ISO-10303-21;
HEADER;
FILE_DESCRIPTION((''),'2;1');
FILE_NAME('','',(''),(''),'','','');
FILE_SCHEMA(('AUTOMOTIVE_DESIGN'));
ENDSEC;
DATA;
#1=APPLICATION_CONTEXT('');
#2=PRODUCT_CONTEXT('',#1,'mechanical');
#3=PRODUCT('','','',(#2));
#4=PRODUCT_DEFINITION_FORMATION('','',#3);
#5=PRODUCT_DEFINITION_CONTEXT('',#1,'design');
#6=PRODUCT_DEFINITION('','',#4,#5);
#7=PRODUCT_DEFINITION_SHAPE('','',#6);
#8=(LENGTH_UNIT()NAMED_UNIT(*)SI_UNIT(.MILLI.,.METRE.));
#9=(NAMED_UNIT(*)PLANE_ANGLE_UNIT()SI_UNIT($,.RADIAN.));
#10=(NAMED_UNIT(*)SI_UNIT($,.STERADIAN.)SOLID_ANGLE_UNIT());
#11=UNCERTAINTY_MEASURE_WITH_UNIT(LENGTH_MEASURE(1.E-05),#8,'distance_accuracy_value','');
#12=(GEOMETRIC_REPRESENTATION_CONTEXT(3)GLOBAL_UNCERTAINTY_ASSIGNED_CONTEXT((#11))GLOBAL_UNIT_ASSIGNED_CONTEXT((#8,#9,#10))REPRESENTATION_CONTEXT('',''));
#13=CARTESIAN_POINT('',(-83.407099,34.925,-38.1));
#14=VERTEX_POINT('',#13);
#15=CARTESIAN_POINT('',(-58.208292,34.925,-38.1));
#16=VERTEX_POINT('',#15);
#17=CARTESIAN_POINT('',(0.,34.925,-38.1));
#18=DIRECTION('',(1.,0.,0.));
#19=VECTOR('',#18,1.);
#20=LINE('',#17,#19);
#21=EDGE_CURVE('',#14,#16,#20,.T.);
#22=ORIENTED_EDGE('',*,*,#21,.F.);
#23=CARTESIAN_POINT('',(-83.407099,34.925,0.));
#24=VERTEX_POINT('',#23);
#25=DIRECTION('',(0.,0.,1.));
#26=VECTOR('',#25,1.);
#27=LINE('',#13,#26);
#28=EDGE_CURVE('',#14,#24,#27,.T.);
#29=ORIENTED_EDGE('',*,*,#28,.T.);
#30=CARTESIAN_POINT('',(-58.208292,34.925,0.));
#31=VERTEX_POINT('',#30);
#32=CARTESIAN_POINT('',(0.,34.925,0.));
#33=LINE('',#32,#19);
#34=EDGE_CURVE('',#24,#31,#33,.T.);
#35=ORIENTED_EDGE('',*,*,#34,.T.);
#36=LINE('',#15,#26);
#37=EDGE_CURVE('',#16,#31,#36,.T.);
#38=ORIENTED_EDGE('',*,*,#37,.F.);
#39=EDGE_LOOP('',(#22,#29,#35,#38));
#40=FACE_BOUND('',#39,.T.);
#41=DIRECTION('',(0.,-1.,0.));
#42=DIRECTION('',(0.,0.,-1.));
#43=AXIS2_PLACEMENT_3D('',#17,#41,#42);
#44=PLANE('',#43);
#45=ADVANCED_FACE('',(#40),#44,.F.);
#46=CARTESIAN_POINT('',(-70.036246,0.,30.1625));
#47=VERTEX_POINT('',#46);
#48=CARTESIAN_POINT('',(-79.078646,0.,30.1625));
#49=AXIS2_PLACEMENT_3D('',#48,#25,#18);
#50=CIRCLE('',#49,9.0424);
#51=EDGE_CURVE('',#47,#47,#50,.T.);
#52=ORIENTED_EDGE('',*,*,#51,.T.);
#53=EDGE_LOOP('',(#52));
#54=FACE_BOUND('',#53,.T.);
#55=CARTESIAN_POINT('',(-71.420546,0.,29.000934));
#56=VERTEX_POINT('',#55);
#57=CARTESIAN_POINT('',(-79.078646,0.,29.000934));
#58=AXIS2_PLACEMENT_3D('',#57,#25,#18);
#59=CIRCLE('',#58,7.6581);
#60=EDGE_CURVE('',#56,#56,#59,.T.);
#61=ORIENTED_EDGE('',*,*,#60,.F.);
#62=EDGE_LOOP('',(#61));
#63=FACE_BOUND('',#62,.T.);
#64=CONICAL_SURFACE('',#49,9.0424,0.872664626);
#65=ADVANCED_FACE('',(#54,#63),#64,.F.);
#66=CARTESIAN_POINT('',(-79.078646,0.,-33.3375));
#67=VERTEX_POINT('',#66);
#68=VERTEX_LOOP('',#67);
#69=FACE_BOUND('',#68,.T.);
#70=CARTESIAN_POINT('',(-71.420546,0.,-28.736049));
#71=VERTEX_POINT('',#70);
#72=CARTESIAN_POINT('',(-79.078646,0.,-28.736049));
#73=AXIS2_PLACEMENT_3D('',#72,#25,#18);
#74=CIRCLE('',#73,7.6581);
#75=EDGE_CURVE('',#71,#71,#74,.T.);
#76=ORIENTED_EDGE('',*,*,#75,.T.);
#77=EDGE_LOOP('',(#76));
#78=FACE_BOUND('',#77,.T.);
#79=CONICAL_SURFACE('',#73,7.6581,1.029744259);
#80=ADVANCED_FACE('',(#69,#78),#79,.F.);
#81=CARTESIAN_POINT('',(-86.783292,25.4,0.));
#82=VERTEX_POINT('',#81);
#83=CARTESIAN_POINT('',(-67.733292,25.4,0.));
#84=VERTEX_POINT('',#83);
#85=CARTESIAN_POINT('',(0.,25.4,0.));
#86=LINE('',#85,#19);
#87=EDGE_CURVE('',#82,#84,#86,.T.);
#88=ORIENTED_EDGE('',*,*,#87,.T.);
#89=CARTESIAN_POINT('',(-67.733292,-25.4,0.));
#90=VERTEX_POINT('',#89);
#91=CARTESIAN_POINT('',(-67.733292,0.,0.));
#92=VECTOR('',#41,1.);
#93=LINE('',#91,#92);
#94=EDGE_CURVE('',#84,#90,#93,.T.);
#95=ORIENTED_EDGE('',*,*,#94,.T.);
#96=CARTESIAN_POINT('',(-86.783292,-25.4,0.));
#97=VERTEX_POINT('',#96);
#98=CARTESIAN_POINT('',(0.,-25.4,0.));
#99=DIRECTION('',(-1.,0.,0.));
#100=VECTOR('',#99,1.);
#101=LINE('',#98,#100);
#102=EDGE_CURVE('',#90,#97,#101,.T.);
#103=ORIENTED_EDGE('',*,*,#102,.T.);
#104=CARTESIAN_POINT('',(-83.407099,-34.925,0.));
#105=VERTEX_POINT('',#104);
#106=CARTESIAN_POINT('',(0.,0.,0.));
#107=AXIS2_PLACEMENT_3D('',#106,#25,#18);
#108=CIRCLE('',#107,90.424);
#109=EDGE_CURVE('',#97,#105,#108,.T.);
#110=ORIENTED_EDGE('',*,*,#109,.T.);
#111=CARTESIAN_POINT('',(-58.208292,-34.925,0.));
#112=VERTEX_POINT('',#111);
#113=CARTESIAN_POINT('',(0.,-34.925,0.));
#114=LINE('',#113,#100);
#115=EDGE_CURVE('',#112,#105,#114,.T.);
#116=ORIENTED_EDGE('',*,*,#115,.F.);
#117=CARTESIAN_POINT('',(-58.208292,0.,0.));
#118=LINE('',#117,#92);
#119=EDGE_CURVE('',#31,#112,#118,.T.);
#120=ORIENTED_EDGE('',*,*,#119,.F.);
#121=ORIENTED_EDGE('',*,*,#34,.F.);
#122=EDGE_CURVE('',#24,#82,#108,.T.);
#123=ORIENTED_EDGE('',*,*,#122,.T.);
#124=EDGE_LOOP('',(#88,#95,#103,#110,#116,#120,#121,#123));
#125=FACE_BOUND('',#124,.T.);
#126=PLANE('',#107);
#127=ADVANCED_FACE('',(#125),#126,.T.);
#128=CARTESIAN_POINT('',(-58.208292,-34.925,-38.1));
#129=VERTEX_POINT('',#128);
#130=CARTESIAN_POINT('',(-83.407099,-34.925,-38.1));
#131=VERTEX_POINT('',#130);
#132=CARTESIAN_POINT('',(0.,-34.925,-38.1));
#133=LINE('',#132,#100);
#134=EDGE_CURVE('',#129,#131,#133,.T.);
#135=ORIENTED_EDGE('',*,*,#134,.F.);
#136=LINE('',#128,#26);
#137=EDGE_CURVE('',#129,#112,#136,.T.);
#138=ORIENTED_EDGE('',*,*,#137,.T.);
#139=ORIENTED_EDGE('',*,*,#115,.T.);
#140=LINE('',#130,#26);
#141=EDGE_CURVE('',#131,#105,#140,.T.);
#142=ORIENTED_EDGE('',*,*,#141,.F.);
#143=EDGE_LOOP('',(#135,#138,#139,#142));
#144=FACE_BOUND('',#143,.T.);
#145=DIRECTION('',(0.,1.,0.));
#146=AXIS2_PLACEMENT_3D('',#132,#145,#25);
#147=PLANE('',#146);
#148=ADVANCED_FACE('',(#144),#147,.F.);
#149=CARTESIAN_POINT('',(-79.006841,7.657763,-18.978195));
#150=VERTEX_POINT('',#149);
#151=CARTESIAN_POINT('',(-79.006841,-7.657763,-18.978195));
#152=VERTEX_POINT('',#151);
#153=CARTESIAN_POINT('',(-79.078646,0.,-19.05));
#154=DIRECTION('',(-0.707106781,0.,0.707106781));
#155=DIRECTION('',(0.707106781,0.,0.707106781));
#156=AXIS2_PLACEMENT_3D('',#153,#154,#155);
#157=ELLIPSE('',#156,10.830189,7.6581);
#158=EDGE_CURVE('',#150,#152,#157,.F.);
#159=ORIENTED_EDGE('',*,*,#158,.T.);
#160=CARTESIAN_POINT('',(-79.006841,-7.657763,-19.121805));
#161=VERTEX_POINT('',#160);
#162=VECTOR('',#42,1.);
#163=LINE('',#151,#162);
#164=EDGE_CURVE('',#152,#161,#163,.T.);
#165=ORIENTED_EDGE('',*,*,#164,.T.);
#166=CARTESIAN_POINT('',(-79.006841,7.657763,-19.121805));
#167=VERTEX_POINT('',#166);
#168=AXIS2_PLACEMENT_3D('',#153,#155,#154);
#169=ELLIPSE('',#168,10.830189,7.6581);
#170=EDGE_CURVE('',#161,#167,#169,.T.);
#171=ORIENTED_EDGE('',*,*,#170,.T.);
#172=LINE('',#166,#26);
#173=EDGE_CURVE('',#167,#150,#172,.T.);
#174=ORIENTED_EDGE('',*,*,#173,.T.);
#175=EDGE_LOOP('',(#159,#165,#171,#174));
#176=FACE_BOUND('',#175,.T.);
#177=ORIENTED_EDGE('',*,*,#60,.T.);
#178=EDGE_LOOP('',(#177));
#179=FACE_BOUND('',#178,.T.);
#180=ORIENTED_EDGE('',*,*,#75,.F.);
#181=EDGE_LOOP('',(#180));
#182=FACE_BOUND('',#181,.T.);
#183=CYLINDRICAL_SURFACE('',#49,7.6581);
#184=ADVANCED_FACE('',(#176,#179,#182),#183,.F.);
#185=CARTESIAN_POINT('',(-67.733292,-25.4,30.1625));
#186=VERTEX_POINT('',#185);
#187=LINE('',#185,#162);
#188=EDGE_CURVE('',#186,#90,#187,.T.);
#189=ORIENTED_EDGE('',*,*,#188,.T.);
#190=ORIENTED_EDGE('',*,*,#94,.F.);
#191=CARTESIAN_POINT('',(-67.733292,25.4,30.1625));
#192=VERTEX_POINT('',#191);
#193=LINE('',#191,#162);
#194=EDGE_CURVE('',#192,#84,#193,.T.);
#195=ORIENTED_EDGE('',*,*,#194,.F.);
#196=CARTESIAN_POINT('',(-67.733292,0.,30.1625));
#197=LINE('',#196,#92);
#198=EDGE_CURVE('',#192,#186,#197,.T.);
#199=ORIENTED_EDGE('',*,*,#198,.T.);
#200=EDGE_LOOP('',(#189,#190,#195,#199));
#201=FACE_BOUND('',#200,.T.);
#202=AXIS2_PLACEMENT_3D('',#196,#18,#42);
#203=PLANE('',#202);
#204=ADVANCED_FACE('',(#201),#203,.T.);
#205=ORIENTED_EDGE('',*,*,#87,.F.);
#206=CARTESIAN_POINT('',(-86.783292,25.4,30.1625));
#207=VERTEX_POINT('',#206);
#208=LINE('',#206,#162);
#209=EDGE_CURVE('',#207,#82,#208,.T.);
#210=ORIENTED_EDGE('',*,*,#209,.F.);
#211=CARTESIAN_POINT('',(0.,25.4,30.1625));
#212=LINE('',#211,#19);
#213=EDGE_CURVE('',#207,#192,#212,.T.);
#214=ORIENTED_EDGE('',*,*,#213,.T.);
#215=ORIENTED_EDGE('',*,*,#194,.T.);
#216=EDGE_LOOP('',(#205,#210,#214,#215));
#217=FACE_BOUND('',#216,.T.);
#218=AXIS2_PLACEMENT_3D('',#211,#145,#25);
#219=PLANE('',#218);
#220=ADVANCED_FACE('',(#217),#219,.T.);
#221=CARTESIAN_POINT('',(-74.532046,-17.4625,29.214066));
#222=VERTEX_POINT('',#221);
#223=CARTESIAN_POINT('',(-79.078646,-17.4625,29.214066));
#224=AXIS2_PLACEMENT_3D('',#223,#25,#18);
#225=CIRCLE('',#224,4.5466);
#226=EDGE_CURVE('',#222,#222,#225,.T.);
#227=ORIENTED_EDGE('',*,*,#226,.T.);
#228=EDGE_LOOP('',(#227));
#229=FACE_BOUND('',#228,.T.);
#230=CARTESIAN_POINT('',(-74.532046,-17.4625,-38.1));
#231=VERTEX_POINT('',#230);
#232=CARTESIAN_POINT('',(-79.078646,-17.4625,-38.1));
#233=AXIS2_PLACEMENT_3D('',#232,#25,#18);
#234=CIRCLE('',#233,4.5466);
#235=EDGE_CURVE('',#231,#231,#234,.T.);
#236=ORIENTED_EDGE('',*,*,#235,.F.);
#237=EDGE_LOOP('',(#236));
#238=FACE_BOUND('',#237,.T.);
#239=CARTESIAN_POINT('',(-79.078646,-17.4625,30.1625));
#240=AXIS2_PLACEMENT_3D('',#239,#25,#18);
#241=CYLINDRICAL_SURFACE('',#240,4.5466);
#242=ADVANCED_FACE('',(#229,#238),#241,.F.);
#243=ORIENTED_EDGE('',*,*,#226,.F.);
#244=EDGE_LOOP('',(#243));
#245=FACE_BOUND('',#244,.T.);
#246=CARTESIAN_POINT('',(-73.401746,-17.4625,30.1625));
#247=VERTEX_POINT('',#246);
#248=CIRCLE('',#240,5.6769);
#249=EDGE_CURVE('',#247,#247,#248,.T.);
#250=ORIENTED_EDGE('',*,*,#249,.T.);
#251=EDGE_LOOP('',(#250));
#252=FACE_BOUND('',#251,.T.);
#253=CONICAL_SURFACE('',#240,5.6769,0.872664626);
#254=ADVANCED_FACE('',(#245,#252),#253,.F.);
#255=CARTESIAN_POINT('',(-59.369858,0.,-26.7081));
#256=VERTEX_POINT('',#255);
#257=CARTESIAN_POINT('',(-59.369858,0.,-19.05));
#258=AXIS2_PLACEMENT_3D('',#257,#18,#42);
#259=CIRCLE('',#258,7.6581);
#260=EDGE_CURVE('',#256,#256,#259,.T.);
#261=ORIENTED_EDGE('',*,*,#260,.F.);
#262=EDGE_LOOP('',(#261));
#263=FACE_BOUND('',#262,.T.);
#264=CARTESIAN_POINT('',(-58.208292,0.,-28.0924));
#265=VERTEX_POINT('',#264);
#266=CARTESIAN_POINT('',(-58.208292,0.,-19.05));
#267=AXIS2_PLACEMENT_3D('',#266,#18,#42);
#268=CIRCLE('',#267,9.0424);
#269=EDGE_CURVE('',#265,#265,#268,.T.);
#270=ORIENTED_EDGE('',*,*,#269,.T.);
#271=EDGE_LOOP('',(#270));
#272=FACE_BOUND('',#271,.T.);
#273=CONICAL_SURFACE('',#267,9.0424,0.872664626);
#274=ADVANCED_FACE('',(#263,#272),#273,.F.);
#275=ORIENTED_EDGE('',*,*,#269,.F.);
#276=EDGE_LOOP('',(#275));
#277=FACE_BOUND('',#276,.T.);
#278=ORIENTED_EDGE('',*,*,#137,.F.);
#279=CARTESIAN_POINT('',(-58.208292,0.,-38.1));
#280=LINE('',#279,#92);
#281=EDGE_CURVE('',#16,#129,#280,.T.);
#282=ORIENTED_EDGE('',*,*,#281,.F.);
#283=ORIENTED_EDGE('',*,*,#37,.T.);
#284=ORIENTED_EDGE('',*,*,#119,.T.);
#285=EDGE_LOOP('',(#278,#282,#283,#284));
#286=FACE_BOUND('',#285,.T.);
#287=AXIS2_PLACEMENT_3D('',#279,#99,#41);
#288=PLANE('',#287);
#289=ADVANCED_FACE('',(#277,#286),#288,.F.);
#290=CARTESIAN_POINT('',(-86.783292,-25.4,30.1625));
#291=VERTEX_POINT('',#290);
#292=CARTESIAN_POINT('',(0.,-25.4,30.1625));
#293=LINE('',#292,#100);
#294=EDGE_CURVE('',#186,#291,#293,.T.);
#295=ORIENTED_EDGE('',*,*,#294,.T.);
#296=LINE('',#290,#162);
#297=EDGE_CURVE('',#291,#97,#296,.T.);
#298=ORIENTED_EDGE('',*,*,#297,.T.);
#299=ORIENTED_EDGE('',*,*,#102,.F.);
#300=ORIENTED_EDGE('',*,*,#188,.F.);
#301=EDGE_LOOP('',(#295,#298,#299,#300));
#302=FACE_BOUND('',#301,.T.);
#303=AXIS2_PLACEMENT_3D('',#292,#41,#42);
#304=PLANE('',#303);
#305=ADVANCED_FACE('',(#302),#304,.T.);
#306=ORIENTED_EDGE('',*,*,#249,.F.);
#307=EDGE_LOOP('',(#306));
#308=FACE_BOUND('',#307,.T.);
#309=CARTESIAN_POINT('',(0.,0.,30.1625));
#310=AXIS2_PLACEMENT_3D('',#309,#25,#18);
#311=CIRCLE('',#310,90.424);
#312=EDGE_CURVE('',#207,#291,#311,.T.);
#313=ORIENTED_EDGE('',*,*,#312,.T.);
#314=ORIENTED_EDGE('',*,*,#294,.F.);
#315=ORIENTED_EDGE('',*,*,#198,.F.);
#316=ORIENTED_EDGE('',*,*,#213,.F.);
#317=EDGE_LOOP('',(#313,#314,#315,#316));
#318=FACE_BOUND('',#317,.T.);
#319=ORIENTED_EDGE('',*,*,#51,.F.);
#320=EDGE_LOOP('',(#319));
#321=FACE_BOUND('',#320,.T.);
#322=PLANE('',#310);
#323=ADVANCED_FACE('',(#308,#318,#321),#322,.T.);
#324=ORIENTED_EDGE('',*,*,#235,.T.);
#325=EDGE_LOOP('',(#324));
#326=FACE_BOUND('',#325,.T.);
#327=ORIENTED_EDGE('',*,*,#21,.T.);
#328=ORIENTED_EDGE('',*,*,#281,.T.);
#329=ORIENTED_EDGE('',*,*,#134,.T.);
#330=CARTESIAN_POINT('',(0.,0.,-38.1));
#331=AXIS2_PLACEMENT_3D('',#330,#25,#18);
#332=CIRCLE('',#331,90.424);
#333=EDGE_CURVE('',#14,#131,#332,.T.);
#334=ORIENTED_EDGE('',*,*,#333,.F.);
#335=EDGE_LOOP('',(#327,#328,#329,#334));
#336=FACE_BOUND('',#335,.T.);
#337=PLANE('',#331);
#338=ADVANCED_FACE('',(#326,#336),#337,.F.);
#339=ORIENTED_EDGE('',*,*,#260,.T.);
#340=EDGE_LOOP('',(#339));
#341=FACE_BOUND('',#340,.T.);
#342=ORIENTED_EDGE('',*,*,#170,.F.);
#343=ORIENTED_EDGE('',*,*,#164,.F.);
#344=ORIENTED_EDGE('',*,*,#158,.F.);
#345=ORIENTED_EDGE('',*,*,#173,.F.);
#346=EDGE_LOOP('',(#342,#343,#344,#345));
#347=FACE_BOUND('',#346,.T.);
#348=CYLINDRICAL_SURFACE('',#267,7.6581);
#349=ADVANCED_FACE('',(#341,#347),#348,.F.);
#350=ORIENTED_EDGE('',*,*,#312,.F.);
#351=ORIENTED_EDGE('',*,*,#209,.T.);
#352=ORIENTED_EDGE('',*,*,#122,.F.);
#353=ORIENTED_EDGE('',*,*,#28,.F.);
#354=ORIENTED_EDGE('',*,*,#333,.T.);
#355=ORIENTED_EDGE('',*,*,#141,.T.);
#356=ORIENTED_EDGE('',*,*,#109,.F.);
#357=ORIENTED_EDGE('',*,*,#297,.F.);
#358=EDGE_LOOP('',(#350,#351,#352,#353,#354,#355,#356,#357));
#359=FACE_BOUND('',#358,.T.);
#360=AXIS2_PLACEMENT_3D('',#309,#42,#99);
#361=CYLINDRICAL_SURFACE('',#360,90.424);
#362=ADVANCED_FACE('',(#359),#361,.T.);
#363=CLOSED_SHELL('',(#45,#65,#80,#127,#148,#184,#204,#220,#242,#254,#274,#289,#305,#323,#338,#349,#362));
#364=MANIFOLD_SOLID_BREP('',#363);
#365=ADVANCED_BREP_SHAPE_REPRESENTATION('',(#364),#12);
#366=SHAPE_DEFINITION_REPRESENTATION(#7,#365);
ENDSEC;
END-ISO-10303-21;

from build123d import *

# Parameters (mm, degrees)
BOSS_EXTRUDE1_DEPTH                    = 30.1625
BOSS_EXTRUDE2_START                    = -38.1
BOSS_EXTRUDE2_DEPTH                    = 38.1
F_3_8_18_NPSM_TAPPED_HOLE1_D           = 15.3162
F_3_8_18_NPSM_TAPPED_HOLE1_DEPTH       = 58.898549293
F_3_8_18_NPSM_TAPPED_HOLE1_CSINK_D     = 18.0848
F_3_8_18_NPSM_TAPPED_HOLE1_CSINK_ANGLE = 100
F_3_8_18_NPSM_TAPPED_HOLE1_TIP         = 4.601450707
F_1_8_27_NPSM_TAPPED_HOLE1_D           = 9.0932
F_1_8_27_NPSM_TAPPED_HOLE1_CSINK_D     = 11.3538
F_1_8_27_NPSM_TAPPED_HOLE1_CSINK_ANGLE = 100
F_3_8_18_NPSM_TAPPED_HOLE2_D           = 15.3162
F_3_8_18_NPSM_TAPPED_HOLE2_DEPTH       = 20.798549293
F_3_8_18_NPSM_TAPPED_HOLE2_CSINK_D     = 18.0848
F_3_8_18_NPSM_TAPPED_HOLE2_CSINK_ANGLE = 100
F_3_8_18_NPSM_TAPPED_HOLE2_TIP         = 4.601450707


with BuildPart() as part:
    # Sketch1 → Boss-Extrude1 (new body)
    with BuildSketch(Plane.XY):
        with BuildLine():
            Line((-67.733292033, 25.4), (-86.783292033, 25.4))
            ThreePointArc((-86.783292033, 25.4), (-90.424, 0), (-86.783292033, -25.4))
            Line((-86.783292033, -25.4), (-67.733292033, -25.4))
            Line((-67.733292033, -25.4), (-67.733292033, 25.4))
        make_face()
    extrude(amount=BOSS_EXTRUDE1_DEPTH)

    # Sketch1<3> → Boss-Extrude2 (add)
    with BuildSketch(Plane.XY.offset(BOSS_EXTRUDE2_START)):
        with BuildLine():
            ThreePointArc((-83.407098924, 34.925), (-90.424, 0), (-83.407098924, -34.925))
            Line((-83.407098924, -34.925), (-58.208292033, -34.925))
            Line((-58.208292033, -34.925), (-58.208292033, 34.925))
            Line((-58.208292033, 34.925), (-83.407098924, 34.925))
        make_face()
    extrude(amount=BOSS_EXTRUDE2_DEPTH)

    # 3/8-18 NPSM Tapped Hole1
    with Locations(Plane(origin=(-79.078646016, 0, 30.1625), x_dir=(1, 0, 0), z_dir=(0, 0, 1))):
        with Locations((0, 0)):
            CounterSinkHole(F_3_8_18_NPSM_TAPPED_HOLE1_D / 2, F_3_8_18_NPSM_TAPPED_HOLE1_CSINK_D / 2, depth=F_3_8_18_NPSM_TAPPED_HOLE1_DEPTH, counter_sink_angle=F_3_8_18_NPSM_TAPPED_HOLE1_CSINK_ANGLE)
            with Locations((0, 0, -(F_3_8_18_NPSM_TAPPED_HOLE1_DEPTH + F_3_8_18_NPSM_TAPPED_HOLE1_TIP / 2))):  # 118° drill point
                Cone(0, F_3_8_18_NPSM_TAPPED_HOLE1_D / 2, F_3_8_18_NPSM_TAPPED_HOLE1_TIP, mode=Mode.SUBTRACT)

    # 1/8-27 NPSM Tapped Hole1 (through all)
    with Locations(Plane(origin=(-79.078646016, -17.4625, 30.1625), x_dir=(1, 0, 0), z_dir=(0, 0, 1))):
        with Locations((0, 0)):
            CounterSinkHole(F_1_8_27_NPSM_TAPPED_HOLE1_D / 2, F_1_8_27_NPSM_TAPPED_HOLE1_CSINK_D / 2, counter_sink_angle=F_1_8_27_NPSM_TAPPED_HOLE1_CSINK_ANGLE)

    # 3/8-18 NPSM Tapped Hole2
    with Locations(Plane(origin=(-58.208292033, 0, 0), x_dir=(0, 0, -1), z_dir=(1, 0, 0))):
        with Locations((19.05, 0)):
            CounterSinkHole(F_3_8_18_NPSM_TAPPED_HOLE2_D / 2, F_3_8_18_NPSM_TAPPED_HOLE2_CSINK_D / 2, depth=F_3_8_18_NPSM_TAPPED_HOLE2_DEPTH, counter_sink_angle=F_3_8_18_NPSM_TAPPED_HOLE2_CSINK_ANGLE)
            with Locations((0, 0, -(F_3_8_18_NPSM_TAPPED_HOLE2_DEPTH + F_3_8_18_NPSM_TAPPED_HOLE2_TIP / 2))):  # 118° drill point
                Cone(0, F_3_8_18_NPSM_TAPPED_HOLE2_D / 2, F_3_8_18_NPSM_TAPPED_HOLE2_TIP, mode=Mode.SUBTRACT)


solid = part.part
